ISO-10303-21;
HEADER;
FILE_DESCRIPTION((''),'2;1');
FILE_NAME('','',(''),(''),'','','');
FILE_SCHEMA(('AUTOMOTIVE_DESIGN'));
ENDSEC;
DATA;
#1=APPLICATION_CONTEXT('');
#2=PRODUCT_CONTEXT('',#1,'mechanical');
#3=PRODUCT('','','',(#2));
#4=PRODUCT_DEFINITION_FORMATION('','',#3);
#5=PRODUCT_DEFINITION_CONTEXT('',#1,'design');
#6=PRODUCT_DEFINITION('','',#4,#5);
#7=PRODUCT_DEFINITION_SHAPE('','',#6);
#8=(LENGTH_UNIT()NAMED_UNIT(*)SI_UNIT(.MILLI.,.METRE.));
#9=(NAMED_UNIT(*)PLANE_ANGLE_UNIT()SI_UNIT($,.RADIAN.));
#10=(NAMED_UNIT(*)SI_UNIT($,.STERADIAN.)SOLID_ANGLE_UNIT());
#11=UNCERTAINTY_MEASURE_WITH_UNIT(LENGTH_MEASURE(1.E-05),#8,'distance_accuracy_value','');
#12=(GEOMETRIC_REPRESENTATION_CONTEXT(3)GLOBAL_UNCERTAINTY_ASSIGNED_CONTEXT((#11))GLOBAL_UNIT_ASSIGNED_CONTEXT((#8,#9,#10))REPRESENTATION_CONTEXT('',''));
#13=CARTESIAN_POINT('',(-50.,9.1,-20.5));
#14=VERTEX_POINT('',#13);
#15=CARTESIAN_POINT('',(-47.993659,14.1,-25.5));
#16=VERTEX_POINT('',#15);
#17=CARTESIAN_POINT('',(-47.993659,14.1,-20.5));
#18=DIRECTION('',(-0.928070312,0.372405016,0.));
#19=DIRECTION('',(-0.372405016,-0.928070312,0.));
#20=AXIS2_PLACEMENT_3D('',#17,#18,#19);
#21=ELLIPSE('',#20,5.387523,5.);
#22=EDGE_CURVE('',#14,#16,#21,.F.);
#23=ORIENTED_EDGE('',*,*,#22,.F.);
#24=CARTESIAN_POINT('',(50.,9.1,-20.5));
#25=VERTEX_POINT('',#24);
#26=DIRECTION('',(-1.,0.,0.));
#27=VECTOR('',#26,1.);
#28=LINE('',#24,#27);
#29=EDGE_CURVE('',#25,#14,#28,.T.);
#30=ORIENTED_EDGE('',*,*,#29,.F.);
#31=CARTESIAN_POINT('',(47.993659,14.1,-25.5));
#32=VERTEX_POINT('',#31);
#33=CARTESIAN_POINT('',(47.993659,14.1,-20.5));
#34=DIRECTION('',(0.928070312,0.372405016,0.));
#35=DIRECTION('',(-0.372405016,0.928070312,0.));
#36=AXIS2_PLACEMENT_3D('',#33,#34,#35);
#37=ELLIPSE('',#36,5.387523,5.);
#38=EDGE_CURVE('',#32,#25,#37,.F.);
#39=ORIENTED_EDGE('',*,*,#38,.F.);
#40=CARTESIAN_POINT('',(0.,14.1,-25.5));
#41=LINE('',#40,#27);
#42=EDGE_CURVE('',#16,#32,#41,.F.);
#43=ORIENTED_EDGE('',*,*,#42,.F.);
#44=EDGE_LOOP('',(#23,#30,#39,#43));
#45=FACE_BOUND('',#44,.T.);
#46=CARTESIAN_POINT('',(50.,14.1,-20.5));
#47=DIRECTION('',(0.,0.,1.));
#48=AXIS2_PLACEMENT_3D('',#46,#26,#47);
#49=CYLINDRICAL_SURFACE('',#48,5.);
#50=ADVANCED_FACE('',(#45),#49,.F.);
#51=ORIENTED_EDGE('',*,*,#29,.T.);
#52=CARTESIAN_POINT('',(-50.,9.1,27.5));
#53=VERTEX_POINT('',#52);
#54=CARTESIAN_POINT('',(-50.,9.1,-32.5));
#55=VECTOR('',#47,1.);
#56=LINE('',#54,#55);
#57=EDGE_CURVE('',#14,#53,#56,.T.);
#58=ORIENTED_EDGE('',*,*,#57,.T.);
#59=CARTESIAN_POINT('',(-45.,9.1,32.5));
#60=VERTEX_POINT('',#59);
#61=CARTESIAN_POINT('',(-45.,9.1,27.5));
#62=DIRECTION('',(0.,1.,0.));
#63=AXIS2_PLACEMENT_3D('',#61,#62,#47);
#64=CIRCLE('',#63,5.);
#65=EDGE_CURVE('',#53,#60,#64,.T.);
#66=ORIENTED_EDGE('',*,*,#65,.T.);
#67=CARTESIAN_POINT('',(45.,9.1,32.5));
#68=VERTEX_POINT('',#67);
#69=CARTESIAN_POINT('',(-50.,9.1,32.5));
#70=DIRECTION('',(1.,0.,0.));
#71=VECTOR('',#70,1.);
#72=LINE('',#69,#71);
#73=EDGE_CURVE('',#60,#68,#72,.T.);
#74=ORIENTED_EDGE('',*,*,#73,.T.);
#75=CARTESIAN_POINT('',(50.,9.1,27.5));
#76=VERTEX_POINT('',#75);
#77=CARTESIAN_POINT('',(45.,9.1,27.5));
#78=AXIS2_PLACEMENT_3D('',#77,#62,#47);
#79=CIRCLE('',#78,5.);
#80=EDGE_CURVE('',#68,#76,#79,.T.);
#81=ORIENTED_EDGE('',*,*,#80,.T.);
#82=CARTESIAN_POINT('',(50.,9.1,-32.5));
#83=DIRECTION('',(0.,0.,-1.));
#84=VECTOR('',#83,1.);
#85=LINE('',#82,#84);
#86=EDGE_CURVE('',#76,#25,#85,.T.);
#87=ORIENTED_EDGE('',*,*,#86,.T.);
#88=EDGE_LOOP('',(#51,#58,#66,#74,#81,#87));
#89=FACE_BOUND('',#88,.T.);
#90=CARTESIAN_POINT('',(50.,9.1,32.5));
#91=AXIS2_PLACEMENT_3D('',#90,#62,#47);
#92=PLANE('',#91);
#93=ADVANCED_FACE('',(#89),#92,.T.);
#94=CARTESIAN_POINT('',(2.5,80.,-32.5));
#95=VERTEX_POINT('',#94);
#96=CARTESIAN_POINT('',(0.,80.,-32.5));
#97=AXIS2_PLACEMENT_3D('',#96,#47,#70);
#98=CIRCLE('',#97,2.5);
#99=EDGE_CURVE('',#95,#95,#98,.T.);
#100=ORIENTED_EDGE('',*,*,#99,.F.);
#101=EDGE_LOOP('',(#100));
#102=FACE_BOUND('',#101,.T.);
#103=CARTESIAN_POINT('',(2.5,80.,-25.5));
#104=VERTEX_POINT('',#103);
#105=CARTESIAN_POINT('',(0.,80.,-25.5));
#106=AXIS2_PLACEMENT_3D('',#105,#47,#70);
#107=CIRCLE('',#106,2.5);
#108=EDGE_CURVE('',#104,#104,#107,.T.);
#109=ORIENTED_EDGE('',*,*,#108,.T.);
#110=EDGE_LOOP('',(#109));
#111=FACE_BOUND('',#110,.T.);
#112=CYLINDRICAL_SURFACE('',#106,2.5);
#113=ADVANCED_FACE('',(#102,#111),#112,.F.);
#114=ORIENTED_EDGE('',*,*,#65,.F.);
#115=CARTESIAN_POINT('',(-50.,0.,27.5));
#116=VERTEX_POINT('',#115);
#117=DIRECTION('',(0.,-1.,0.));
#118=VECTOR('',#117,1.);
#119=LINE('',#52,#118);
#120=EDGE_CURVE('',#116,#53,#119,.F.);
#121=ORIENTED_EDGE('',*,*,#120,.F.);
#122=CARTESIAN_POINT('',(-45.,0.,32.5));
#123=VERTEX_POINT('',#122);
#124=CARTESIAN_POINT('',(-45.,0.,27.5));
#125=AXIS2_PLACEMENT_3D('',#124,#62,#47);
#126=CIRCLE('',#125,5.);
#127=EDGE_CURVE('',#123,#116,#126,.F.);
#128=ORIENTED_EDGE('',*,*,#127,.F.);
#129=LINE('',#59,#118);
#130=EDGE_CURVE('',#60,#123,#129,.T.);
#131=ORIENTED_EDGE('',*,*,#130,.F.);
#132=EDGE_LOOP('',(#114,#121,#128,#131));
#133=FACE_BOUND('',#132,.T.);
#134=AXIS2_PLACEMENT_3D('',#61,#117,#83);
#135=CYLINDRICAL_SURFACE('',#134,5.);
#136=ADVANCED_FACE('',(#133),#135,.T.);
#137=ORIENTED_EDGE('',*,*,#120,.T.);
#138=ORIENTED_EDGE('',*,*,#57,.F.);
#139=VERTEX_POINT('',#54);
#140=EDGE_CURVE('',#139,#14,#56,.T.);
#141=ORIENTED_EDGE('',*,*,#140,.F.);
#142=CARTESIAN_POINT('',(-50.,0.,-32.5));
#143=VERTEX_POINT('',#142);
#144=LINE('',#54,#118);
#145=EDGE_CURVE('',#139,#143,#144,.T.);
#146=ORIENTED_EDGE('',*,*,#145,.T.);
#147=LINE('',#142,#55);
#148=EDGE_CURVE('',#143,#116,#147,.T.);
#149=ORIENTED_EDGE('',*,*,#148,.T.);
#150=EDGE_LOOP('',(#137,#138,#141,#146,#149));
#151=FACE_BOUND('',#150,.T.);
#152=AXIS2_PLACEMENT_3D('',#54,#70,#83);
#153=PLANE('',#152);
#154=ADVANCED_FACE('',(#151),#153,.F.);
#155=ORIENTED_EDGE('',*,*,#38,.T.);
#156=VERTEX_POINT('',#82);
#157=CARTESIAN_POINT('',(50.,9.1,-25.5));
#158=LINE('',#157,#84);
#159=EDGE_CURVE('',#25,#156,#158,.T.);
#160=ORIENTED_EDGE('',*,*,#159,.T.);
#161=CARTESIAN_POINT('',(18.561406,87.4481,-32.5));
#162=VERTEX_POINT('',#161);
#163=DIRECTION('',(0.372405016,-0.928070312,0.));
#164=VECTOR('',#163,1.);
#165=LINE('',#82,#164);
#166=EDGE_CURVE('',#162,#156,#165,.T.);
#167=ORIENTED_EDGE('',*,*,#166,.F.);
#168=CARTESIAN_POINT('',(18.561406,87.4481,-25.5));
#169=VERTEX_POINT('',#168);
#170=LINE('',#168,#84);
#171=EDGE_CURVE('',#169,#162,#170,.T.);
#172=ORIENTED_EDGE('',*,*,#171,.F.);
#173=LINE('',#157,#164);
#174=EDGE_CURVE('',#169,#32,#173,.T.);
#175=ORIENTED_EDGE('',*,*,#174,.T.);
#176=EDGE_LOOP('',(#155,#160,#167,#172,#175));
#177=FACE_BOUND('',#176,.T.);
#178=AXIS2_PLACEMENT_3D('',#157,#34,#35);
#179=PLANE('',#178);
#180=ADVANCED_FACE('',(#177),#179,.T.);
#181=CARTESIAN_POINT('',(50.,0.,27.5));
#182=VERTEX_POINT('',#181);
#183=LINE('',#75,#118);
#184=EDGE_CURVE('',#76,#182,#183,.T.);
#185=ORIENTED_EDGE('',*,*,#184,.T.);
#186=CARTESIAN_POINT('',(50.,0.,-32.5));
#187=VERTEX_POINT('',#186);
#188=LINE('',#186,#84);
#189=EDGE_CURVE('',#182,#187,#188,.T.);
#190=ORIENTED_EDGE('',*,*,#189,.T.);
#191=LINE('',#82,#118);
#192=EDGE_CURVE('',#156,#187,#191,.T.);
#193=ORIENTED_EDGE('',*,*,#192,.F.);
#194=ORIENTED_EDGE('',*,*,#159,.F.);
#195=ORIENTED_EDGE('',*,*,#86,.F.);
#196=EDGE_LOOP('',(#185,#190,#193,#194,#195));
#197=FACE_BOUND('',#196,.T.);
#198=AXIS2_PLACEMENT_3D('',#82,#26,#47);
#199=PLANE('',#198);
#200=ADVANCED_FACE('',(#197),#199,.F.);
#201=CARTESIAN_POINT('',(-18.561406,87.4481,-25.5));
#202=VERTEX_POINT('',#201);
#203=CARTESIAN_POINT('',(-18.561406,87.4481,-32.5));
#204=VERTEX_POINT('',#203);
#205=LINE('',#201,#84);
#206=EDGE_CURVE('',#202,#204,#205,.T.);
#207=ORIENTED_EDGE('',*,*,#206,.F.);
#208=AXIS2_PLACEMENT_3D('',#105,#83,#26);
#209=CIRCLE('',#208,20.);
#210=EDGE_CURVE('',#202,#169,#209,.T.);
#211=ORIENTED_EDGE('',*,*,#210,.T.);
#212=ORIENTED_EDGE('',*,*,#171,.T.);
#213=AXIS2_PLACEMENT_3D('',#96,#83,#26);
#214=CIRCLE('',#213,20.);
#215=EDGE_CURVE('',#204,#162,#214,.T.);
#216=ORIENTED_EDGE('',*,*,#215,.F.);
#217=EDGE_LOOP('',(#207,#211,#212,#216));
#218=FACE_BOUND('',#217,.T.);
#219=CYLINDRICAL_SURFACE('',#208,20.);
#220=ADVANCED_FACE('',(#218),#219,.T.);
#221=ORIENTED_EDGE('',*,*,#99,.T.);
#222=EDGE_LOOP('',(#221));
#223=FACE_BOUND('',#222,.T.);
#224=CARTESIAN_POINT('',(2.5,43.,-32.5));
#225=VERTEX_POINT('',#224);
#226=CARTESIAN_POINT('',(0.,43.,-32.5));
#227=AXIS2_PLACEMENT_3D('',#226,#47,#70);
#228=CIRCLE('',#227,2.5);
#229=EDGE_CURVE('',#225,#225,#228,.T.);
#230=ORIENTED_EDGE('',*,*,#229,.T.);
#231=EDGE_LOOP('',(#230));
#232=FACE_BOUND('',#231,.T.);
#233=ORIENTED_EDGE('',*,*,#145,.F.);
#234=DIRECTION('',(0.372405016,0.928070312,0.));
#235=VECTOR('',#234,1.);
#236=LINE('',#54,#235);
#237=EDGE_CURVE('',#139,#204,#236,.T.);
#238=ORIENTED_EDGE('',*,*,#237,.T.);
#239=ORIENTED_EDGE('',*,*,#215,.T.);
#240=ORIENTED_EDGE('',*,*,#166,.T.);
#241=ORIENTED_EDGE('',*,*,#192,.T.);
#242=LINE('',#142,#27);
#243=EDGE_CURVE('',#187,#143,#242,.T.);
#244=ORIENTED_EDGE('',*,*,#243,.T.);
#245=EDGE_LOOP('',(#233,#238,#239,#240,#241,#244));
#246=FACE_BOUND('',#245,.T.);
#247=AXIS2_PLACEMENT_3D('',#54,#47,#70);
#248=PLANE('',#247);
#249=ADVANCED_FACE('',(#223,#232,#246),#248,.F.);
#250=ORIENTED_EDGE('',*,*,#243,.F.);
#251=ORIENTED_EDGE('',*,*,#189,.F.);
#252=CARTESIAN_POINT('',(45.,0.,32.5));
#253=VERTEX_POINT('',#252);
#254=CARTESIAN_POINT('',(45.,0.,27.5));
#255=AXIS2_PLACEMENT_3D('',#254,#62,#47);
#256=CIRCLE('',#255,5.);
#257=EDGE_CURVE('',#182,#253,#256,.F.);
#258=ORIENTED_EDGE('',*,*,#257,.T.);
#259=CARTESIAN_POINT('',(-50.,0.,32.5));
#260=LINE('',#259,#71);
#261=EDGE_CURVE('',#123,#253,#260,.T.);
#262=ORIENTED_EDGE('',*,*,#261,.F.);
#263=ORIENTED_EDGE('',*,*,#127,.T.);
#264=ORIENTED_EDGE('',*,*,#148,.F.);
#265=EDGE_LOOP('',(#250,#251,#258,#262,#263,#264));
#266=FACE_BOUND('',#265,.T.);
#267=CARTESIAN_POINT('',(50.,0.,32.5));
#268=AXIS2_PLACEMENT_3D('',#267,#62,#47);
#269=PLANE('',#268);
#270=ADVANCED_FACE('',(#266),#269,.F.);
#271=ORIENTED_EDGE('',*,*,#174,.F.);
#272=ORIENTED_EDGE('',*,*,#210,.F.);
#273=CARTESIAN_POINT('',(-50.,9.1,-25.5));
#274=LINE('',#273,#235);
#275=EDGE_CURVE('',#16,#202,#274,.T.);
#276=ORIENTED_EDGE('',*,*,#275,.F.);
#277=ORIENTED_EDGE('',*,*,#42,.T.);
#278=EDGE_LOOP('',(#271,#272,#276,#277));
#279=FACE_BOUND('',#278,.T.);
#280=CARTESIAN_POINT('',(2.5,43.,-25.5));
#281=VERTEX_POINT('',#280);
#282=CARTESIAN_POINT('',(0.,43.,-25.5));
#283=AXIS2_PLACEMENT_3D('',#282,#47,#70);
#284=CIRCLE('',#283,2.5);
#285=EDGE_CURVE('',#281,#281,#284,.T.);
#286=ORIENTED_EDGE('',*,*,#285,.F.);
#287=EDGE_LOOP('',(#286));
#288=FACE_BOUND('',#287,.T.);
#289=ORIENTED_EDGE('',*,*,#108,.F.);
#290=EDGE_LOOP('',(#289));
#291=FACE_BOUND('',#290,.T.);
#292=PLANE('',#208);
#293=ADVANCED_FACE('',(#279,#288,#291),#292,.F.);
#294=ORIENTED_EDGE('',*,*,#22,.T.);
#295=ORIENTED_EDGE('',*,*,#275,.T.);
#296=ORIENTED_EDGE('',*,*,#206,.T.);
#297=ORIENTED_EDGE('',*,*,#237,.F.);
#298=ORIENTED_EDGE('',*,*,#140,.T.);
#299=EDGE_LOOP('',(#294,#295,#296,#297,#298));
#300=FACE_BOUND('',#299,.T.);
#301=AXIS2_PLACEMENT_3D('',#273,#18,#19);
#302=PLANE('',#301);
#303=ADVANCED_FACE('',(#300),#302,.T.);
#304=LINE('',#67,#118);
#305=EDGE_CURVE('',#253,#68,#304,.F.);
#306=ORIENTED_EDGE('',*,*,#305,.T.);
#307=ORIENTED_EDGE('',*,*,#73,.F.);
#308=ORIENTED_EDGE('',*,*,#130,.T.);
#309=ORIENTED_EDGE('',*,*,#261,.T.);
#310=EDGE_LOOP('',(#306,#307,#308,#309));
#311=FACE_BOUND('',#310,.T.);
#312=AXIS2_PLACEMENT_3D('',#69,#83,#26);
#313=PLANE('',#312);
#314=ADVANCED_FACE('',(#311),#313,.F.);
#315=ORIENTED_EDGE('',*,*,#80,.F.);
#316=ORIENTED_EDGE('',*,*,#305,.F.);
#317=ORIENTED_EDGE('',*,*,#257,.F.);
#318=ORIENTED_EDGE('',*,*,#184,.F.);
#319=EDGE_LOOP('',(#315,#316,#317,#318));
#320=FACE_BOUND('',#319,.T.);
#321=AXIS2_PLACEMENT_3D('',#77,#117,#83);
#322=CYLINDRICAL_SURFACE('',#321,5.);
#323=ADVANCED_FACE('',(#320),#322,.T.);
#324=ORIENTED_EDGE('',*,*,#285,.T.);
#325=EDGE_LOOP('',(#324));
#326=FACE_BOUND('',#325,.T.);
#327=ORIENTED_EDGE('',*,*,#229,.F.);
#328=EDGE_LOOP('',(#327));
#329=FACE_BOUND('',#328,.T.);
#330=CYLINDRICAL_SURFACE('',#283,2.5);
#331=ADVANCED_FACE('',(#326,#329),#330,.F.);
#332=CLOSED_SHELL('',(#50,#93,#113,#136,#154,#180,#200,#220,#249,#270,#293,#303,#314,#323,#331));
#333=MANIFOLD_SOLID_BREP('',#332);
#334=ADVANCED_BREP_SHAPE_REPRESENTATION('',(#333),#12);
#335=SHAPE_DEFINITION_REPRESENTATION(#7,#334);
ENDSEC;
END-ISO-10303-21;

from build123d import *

# Parameters (mm, degrees)
SKETCH1_W                 = 100
SKETCH1_H                 = 65
EXTRUDE1_DEPTH            = 9.1
EXTRUDE2_DEPTH            = 7
M6X1_0_TAPPED_HOLE2_D     = 5
M6X1_0_TAPPED_HOLE2_DEPTH = 15
M6X1_0_TAPPED_HOLE2_TIP   = 1.502151548
FILLET1_R                 = 5
FILLET2_R                 = 5


with BuildPart() as part:
    # Sketch1 → Extrude1 (new body)
    with BuildSketch(Plane(origin=(0, 0, 0), x_dir=(1, 0, 0), z_dir=(0, 1, 0))):
        Rectangle(SKETCH1_W, SKETCH1_H)
    extrude(amount=EXTRUDE1_DEPTH)

    # Sketch3 → Extrude2 (add)
    with BuildSketch(Plane(origin=(0, 0, -32.5), x_dir=(-1, 0, 0), z_dir=(0, 0, -1))):
        with BuildLine():
            Line((-50, 9.1), (-18.561406243, 87.448100313))
            ThreePointArc((-18.561406243, 87.448100313), (0, 100), (18.561406243, 87.448100313))
            Line((18.561406243, 87.448100313), (50, 9.1))
            Line((50, 9.1), (-50, 9.1))
        make_face()
    extrude(amount=-EXTRUDE2_DEPTH)

    # M6x1.0 Tapped Hole2
    with Locations(Plane.XY.offset(-25.5)):
        with Locations((0, 80), (0, 43)):
            Hole(M6X1_0_TAPPED_HOLE2_D / 2, depth=M6X1_0_TAPPED_HOLE2_DEPTH)
            with Locations((0, 0, -(M6X1_0_TAPPED_HOLE2_DEPTH + M6X1_0_TAPPED_HOLE2_TIP / 2))):  # 118° drill point
                Cone(0, M6X1_0_TAPPED_HOLE2_D / 2, M6X1_0_TAPPED_HOLE2_TIP, mode=Mode.SUBTRACT)

    # Fillet1
    fillet1_edges = [part.edges().sort_by_distance(p)[0] for p in [
        (0, 9.1, -25.5),
    ]]
    fillet(fillet1_edges, radius=FILLET1_R)

    # Fillet2
    fillet2_edges = [part.edges().sort_by_distance(p)[0] for p in [
        (-50, 4.55, 32.5),
        (50, 4.55, 32.5),
    ]]
    fillet(fillet2_edges, radius=FILLET2_R)


solid = part.part
